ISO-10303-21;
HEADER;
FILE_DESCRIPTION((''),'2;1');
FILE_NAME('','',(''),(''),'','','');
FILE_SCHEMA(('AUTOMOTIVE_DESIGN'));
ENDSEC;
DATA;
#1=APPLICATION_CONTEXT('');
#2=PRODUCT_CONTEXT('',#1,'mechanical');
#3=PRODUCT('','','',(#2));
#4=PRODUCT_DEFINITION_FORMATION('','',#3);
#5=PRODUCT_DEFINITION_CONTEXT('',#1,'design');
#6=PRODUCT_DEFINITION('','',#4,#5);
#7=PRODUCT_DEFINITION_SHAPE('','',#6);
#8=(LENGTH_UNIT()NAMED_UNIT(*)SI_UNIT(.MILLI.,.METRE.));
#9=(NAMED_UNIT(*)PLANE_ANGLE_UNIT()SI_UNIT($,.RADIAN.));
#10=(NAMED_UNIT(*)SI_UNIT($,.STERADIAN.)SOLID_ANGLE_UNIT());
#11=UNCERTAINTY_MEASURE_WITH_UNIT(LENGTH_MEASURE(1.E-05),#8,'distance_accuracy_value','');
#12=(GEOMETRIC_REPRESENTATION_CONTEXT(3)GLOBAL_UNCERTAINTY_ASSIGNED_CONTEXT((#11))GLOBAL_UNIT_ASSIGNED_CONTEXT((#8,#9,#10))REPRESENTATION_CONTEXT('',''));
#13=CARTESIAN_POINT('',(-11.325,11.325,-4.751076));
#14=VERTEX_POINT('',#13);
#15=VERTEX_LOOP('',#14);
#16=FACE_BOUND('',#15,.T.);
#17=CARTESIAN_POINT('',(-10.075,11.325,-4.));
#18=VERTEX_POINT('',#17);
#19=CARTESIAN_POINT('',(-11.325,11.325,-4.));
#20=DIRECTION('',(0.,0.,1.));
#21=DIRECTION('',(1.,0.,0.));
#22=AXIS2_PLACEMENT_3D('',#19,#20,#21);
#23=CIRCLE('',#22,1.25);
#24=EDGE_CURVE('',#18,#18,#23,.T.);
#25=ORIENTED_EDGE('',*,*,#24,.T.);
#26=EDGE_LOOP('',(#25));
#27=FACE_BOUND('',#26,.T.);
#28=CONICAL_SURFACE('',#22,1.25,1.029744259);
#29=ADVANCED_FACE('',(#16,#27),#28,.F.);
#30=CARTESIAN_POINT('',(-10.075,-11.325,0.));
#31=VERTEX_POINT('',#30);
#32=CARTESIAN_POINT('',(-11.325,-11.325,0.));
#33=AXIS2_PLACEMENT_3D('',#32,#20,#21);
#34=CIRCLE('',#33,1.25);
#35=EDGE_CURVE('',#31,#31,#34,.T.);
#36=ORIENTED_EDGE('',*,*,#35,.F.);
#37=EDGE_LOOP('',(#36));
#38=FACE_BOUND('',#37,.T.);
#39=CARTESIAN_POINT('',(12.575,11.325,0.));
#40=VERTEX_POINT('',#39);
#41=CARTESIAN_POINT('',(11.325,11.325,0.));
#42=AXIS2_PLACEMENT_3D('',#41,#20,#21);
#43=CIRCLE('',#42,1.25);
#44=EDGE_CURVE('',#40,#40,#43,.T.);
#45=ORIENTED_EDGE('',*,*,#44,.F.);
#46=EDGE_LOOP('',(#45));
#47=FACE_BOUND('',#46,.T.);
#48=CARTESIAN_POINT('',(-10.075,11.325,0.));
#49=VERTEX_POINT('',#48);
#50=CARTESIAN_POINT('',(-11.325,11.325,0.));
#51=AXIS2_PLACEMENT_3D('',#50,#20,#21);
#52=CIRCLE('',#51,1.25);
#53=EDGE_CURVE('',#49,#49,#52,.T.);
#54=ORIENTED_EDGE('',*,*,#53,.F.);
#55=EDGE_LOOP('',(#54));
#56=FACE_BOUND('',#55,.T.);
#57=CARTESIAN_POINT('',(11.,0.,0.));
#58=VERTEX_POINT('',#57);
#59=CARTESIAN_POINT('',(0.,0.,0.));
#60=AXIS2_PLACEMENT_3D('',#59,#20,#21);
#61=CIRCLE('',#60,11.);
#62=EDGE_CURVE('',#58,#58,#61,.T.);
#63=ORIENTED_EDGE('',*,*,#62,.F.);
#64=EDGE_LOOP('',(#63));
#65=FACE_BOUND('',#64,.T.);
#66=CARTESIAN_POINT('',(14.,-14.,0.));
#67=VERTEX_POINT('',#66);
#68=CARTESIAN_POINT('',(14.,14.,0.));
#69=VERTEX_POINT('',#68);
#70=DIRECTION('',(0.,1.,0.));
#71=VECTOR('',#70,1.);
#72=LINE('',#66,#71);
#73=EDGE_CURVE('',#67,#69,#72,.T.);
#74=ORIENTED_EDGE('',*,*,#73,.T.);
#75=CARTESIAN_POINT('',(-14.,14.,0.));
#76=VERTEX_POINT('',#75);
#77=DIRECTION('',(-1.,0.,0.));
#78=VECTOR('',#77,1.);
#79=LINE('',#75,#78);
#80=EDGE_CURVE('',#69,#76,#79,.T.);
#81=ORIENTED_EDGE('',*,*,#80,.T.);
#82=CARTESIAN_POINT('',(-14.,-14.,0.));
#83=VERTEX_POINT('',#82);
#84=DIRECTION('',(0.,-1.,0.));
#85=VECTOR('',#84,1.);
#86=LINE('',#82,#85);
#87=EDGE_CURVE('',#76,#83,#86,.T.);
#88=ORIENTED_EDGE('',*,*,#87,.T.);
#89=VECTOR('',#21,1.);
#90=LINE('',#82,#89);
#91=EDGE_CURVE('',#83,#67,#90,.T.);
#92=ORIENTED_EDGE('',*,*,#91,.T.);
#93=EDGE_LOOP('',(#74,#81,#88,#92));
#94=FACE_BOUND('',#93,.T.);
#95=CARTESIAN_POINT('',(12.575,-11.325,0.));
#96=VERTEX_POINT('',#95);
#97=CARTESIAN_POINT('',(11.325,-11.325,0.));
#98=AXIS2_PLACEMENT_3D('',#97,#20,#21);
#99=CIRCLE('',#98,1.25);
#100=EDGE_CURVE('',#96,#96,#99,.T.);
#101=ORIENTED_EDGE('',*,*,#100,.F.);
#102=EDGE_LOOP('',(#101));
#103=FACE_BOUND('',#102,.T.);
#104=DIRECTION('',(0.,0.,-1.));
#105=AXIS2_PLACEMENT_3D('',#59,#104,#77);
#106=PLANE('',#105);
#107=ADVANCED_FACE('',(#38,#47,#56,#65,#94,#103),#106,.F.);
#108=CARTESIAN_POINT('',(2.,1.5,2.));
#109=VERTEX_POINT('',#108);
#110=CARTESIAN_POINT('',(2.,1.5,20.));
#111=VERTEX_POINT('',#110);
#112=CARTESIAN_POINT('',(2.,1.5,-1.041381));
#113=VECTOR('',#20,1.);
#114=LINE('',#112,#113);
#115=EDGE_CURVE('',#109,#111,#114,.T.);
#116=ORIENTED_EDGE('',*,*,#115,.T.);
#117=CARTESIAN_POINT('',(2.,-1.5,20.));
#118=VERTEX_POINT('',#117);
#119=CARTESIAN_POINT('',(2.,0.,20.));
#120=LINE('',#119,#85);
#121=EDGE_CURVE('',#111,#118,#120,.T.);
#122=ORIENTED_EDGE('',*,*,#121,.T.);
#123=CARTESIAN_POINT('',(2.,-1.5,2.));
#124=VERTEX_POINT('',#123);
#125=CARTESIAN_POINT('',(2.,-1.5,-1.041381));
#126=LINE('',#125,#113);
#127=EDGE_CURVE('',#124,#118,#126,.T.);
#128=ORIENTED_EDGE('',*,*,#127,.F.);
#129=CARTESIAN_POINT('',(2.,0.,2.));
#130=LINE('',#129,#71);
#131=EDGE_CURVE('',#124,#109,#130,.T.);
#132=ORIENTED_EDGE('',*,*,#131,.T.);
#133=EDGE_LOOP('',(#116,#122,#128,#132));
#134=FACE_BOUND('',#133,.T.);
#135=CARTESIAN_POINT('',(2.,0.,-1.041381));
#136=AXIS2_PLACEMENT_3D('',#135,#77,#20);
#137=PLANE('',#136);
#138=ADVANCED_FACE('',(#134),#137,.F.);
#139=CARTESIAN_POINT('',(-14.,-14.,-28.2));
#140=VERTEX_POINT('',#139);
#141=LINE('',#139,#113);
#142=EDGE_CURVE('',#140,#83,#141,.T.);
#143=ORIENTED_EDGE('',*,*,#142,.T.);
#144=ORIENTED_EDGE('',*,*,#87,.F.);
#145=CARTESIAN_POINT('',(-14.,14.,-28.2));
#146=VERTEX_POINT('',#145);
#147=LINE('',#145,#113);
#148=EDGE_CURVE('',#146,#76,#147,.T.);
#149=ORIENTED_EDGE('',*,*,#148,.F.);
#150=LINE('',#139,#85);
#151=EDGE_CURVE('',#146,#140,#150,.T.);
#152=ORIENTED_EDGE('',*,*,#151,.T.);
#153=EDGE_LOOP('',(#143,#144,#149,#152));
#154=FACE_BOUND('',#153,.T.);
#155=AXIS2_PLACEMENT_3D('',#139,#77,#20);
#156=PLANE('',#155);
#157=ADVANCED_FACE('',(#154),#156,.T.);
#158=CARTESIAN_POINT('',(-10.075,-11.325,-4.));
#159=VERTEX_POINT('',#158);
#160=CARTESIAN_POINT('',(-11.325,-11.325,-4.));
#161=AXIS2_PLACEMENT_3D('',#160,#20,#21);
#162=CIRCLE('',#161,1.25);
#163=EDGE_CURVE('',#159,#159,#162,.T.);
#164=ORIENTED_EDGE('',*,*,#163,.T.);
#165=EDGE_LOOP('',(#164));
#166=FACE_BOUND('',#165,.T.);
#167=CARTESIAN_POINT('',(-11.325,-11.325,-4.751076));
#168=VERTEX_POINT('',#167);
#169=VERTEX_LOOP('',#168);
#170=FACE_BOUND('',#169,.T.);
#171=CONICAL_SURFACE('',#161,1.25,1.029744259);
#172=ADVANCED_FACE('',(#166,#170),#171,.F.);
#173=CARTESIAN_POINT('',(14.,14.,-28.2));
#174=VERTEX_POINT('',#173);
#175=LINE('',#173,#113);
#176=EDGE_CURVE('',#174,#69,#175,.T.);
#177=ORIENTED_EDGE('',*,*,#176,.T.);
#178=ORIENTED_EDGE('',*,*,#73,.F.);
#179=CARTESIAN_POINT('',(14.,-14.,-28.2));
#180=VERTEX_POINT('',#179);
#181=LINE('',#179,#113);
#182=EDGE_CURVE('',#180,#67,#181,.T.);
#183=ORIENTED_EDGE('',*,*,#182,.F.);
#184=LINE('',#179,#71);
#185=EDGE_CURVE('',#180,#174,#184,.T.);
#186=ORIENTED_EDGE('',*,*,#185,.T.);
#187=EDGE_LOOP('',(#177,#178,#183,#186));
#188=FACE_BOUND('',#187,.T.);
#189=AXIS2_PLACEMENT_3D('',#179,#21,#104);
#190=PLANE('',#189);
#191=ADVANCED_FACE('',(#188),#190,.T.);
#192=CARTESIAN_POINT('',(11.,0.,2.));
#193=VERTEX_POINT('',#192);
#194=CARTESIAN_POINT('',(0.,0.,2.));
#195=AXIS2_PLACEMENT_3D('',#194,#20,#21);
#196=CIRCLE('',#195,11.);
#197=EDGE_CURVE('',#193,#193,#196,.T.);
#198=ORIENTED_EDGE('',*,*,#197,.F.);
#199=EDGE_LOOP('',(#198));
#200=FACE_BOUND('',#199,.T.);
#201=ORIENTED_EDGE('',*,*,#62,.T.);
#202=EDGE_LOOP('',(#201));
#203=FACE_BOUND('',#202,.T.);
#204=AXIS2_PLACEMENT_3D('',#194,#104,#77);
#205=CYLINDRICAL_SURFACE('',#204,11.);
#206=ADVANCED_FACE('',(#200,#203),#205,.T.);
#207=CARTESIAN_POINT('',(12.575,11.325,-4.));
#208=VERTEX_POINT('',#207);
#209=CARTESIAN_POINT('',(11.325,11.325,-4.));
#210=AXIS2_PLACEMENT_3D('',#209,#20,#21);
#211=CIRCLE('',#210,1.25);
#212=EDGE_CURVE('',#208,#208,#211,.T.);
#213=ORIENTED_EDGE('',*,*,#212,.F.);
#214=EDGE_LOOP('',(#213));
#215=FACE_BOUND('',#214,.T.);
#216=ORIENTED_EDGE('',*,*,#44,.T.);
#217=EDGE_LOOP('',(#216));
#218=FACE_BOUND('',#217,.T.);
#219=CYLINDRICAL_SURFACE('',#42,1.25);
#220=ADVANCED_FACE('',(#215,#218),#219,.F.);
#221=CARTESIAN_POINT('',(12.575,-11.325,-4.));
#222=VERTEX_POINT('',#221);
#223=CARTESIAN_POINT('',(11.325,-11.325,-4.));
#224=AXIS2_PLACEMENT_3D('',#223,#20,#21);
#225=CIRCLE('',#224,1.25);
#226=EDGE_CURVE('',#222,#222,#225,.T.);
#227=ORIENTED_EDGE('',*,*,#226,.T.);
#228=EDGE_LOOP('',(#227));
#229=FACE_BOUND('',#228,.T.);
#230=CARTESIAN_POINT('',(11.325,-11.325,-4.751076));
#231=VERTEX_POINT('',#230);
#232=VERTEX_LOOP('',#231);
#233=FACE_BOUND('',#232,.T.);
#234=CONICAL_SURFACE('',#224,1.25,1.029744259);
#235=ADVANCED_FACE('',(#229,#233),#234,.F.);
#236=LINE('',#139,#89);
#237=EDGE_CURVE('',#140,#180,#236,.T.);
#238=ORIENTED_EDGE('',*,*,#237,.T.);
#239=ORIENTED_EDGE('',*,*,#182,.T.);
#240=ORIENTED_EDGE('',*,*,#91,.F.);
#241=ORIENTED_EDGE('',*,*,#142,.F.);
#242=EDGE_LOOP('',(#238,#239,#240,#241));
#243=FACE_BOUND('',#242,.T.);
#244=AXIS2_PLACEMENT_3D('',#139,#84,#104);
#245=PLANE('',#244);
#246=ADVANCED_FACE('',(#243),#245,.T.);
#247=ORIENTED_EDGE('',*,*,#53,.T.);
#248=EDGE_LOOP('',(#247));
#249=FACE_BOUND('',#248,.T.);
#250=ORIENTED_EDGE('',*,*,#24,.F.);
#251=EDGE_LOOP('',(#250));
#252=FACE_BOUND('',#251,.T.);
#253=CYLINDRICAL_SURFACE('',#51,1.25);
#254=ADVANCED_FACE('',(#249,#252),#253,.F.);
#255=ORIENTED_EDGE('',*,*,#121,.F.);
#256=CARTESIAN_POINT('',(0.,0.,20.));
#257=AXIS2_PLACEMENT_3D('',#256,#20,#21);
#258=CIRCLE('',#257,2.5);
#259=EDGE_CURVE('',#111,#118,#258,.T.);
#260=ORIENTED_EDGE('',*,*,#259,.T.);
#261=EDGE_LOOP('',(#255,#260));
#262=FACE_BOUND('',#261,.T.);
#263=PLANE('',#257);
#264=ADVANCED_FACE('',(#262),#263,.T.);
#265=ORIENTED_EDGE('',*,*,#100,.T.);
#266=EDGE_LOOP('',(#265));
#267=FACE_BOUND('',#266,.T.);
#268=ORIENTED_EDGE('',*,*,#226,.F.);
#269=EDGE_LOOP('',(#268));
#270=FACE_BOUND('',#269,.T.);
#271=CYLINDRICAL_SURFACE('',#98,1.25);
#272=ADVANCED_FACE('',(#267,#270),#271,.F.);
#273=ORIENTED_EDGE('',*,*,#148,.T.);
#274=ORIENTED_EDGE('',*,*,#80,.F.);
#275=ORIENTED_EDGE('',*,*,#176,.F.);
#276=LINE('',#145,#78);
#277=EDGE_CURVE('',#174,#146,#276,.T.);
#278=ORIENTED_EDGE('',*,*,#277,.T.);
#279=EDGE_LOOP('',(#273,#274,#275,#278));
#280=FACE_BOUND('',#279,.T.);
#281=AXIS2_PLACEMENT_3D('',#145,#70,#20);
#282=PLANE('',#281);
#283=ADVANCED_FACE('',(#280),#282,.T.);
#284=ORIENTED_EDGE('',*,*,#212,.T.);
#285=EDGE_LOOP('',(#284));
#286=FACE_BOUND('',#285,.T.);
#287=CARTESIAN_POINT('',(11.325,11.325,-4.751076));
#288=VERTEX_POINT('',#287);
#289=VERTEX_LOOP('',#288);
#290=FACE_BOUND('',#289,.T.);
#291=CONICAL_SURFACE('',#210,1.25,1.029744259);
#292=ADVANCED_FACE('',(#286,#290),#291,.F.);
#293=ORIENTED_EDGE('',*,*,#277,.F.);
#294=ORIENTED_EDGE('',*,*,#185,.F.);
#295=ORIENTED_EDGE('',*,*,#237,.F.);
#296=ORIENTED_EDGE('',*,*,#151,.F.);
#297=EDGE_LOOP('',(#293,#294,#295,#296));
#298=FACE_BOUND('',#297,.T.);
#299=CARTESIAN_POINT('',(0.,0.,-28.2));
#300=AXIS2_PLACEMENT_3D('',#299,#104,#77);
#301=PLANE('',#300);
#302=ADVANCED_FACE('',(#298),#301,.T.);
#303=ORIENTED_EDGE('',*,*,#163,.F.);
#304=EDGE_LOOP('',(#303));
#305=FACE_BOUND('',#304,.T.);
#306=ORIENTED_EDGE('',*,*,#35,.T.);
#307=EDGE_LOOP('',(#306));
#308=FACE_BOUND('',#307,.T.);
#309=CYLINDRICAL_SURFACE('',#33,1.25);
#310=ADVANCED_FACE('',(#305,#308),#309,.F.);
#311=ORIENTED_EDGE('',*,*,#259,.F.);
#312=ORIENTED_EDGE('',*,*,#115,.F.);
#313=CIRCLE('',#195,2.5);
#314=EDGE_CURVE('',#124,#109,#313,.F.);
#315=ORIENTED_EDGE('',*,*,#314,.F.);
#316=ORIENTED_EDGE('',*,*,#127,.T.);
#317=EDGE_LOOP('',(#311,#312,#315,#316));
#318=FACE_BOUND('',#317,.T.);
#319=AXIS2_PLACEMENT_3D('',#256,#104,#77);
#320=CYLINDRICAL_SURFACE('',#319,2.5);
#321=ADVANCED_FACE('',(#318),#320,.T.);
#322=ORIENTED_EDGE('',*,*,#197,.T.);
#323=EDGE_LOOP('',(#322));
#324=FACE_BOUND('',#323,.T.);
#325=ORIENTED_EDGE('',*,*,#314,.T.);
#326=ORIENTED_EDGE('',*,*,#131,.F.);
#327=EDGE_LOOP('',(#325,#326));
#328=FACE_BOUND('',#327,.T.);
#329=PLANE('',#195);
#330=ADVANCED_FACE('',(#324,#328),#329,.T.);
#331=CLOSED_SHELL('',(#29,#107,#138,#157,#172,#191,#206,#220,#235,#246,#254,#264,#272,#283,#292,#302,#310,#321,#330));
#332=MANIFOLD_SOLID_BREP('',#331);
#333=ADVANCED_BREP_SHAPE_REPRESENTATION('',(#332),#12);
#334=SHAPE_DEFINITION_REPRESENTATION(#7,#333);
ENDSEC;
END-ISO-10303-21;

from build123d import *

# Parameters (mm, degrees)
SKETCH2_W                 = 28
SKETCH2_H                 = 28
BOSS_EXTRUDE1_DEPTH       = 28.2
SKETCH3_R                 = 11
BOSS_EXTRUDE2_DEPTH       = 2
SKETCH4_R                 = 2.5
BOSS_EXTRUDE3_DEPTH       = 20
CUT_EXTRUDE1_DEPTH        = 18
F_2_5MM_DOWEL_HOLE1_D     = 2.5
F_2_5MM_DOWEL_HOLE1_DEPTH = 4
F_2_5MM_DOWEL_HOLE1_TIP   = 0.751075774


with BuildPart() as part:
    # Sketch2 → Boss-Extrude1 (new body)
    with BuildSketch(Plane.XY):
        Rectangle(SKETCH2_W, SKETCH2_H)
    extrude(amount=-BOSS_EXTRUDE1_DEPTH)

    # Sketch3 → Boss-Extrude2 (add)
    with BuildSketch(Plane.XY):
        Circle(SKETCH3_R)
    extrude(amount=BOSS_EXTRUDE2_DEPTH)

    # Sketch4 → Boss-Extrude3 (add)
    with BuildSketch(Plane.XY):
        Circle(SKETCH4_R)
    extrude(amount=BOSS_EXTRUDE3_DEPTH)

    # Sketch5 → Cut-Extrude1 (cut)
    with BuildSketch(Plane.XY.offset(20)):
        Polygon((2, 56.05333882), (2, 1.5), (2, -1.5), (2, -56.05333882), (111.10667764, -56.05333882), (111.10667764, 56.05333882), align=None)
    extrude(amount=-CUT_EXTRUDE1_DEPTH, mode=Mode.SUBTRACT)

    # Ø2.5mm Dowel Hole1
    with Locations(Plane.XY):
        with Locations((-11.325, 11.325), (11.325, 11.325), (11.325, -11.325), (-11.325, -11.325)):
            Hole(F_2_5MM_DOWEL_HOLE1_D / 2, depth=F_2_5MM_DOWEL_HOLE1_DEPTH)
            with Locations((0, 0, -(F_2_5MM_DOWEL_HOLE1_DEPTH + F_2_5MM_DOWEL_HOLE1_TIP / 2))):  # 118° drill point
                Cone(0, F_2_5MM_DOWEL_HOLE1_D / 2, F_2_5MM_DOWEL_HOLE1_TIP, mode=Mode.SUBTRACT)


solid = part.part
